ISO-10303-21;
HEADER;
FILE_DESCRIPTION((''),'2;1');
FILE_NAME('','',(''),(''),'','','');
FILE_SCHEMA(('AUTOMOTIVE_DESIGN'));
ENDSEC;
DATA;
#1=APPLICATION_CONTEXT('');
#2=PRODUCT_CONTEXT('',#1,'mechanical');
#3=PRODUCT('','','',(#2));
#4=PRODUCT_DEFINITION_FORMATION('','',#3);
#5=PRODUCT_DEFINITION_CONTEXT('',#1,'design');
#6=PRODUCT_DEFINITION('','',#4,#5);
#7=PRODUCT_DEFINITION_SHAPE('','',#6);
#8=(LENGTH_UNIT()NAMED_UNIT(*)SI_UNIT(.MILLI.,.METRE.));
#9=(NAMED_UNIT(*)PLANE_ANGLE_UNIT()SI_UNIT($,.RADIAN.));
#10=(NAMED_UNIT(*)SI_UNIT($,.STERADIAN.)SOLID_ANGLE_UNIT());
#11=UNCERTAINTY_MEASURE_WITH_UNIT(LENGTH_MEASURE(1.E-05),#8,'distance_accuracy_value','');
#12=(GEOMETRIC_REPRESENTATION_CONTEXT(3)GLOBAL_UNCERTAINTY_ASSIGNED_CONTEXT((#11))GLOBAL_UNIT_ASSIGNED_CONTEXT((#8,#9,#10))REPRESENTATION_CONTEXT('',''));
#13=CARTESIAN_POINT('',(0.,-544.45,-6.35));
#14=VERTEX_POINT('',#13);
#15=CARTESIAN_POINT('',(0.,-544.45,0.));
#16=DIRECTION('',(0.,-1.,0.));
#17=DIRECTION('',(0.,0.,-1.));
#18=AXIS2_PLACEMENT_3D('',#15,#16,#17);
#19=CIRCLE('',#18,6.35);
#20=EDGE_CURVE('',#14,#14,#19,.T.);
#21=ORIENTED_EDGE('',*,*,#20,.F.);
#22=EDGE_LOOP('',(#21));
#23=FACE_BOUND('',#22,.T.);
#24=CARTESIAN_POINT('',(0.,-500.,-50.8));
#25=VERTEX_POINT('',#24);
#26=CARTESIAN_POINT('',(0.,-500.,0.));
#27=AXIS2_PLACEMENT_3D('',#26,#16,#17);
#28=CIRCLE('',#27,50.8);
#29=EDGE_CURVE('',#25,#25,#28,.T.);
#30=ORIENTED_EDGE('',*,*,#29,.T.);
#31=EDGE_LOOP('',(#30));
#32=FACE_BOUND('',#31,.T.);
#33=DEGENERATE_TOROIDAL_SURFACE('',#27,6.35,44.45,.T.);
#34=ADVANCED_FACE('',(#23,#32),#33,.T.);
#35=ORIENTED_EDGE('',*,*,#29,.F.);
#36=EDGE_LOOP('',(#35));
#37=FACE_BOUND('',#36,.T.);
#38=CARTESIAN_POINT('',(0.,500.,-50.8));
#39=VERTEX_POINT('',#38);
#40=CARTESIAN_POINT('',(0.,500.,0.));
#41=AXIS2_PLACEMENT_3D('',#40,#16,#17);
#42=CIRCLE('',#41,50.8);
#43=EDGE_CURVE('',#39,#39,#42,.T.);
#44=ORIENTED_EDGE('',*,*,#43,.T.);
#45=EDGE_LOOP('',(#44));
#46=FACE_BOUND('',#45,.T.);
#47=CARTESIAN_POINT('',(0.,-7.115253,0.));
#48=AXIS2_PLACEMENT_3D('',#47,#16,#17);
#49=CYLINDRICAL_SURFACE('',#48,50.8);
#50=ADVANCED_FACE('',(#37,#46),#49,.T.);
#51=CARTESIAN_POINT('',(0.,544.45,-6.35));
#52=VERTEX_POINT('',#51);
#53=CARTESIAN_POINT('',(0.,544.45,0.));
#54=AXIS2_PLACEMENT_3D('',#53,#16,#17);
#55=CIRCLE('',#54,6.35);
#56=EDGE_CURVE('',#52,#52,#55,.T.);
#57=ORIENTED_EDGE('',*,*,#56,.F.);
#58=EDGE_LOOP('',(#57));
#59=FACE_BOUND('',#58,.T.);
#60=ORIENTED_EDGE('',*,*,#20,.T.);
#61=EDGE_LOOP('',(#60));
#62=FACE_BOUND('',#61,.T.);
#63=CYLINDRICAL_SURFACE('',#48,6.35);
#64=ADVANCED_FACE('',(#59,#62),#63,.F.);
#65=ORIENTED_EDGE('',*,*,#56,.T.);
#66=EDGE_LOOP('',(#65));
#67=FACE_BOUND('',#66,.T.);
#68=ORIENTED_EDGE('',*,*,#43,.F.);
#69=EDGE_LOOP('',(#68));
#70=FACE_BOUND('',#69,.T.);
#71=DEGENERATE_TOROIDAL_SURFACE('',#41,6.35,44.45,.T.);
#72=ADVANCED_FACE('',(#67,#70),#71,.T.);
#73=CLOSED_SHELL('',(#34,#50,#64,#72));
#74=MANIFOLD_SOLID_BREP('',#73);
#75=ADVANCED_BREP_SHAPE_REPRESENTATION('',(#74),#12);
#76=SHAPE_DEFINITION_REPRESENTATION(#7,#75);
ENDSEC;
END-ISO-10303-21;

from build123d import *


with BuildPart() as part:
    # Sketch1 → Revolve1 (revolve)
    with BuildSketch(Plane.XY, mode=Mode.PRIVATE) as revolve1_sk:
        with BuildLine():
            Line((6.35, -544.45), (6.35, 544.45))
            ThreePointArc((6.35, 544.45), (37.780896424, 531.430896424), (50.8, 500))
            Line((50.8, 500), (50.8, -500))
            ThreePointArc((50.8, -500), (37.780896424, -531.430896424), (6.35, -544.45))
        make_face()
    revolve(revolve1_sk.sketch.rotate(Axis((0, -7.11525337, 0), (0, 1, 0)), 90), axis=Axis((0, -7.11525337, 0), (0, 1, 0)))


solid = part.part
